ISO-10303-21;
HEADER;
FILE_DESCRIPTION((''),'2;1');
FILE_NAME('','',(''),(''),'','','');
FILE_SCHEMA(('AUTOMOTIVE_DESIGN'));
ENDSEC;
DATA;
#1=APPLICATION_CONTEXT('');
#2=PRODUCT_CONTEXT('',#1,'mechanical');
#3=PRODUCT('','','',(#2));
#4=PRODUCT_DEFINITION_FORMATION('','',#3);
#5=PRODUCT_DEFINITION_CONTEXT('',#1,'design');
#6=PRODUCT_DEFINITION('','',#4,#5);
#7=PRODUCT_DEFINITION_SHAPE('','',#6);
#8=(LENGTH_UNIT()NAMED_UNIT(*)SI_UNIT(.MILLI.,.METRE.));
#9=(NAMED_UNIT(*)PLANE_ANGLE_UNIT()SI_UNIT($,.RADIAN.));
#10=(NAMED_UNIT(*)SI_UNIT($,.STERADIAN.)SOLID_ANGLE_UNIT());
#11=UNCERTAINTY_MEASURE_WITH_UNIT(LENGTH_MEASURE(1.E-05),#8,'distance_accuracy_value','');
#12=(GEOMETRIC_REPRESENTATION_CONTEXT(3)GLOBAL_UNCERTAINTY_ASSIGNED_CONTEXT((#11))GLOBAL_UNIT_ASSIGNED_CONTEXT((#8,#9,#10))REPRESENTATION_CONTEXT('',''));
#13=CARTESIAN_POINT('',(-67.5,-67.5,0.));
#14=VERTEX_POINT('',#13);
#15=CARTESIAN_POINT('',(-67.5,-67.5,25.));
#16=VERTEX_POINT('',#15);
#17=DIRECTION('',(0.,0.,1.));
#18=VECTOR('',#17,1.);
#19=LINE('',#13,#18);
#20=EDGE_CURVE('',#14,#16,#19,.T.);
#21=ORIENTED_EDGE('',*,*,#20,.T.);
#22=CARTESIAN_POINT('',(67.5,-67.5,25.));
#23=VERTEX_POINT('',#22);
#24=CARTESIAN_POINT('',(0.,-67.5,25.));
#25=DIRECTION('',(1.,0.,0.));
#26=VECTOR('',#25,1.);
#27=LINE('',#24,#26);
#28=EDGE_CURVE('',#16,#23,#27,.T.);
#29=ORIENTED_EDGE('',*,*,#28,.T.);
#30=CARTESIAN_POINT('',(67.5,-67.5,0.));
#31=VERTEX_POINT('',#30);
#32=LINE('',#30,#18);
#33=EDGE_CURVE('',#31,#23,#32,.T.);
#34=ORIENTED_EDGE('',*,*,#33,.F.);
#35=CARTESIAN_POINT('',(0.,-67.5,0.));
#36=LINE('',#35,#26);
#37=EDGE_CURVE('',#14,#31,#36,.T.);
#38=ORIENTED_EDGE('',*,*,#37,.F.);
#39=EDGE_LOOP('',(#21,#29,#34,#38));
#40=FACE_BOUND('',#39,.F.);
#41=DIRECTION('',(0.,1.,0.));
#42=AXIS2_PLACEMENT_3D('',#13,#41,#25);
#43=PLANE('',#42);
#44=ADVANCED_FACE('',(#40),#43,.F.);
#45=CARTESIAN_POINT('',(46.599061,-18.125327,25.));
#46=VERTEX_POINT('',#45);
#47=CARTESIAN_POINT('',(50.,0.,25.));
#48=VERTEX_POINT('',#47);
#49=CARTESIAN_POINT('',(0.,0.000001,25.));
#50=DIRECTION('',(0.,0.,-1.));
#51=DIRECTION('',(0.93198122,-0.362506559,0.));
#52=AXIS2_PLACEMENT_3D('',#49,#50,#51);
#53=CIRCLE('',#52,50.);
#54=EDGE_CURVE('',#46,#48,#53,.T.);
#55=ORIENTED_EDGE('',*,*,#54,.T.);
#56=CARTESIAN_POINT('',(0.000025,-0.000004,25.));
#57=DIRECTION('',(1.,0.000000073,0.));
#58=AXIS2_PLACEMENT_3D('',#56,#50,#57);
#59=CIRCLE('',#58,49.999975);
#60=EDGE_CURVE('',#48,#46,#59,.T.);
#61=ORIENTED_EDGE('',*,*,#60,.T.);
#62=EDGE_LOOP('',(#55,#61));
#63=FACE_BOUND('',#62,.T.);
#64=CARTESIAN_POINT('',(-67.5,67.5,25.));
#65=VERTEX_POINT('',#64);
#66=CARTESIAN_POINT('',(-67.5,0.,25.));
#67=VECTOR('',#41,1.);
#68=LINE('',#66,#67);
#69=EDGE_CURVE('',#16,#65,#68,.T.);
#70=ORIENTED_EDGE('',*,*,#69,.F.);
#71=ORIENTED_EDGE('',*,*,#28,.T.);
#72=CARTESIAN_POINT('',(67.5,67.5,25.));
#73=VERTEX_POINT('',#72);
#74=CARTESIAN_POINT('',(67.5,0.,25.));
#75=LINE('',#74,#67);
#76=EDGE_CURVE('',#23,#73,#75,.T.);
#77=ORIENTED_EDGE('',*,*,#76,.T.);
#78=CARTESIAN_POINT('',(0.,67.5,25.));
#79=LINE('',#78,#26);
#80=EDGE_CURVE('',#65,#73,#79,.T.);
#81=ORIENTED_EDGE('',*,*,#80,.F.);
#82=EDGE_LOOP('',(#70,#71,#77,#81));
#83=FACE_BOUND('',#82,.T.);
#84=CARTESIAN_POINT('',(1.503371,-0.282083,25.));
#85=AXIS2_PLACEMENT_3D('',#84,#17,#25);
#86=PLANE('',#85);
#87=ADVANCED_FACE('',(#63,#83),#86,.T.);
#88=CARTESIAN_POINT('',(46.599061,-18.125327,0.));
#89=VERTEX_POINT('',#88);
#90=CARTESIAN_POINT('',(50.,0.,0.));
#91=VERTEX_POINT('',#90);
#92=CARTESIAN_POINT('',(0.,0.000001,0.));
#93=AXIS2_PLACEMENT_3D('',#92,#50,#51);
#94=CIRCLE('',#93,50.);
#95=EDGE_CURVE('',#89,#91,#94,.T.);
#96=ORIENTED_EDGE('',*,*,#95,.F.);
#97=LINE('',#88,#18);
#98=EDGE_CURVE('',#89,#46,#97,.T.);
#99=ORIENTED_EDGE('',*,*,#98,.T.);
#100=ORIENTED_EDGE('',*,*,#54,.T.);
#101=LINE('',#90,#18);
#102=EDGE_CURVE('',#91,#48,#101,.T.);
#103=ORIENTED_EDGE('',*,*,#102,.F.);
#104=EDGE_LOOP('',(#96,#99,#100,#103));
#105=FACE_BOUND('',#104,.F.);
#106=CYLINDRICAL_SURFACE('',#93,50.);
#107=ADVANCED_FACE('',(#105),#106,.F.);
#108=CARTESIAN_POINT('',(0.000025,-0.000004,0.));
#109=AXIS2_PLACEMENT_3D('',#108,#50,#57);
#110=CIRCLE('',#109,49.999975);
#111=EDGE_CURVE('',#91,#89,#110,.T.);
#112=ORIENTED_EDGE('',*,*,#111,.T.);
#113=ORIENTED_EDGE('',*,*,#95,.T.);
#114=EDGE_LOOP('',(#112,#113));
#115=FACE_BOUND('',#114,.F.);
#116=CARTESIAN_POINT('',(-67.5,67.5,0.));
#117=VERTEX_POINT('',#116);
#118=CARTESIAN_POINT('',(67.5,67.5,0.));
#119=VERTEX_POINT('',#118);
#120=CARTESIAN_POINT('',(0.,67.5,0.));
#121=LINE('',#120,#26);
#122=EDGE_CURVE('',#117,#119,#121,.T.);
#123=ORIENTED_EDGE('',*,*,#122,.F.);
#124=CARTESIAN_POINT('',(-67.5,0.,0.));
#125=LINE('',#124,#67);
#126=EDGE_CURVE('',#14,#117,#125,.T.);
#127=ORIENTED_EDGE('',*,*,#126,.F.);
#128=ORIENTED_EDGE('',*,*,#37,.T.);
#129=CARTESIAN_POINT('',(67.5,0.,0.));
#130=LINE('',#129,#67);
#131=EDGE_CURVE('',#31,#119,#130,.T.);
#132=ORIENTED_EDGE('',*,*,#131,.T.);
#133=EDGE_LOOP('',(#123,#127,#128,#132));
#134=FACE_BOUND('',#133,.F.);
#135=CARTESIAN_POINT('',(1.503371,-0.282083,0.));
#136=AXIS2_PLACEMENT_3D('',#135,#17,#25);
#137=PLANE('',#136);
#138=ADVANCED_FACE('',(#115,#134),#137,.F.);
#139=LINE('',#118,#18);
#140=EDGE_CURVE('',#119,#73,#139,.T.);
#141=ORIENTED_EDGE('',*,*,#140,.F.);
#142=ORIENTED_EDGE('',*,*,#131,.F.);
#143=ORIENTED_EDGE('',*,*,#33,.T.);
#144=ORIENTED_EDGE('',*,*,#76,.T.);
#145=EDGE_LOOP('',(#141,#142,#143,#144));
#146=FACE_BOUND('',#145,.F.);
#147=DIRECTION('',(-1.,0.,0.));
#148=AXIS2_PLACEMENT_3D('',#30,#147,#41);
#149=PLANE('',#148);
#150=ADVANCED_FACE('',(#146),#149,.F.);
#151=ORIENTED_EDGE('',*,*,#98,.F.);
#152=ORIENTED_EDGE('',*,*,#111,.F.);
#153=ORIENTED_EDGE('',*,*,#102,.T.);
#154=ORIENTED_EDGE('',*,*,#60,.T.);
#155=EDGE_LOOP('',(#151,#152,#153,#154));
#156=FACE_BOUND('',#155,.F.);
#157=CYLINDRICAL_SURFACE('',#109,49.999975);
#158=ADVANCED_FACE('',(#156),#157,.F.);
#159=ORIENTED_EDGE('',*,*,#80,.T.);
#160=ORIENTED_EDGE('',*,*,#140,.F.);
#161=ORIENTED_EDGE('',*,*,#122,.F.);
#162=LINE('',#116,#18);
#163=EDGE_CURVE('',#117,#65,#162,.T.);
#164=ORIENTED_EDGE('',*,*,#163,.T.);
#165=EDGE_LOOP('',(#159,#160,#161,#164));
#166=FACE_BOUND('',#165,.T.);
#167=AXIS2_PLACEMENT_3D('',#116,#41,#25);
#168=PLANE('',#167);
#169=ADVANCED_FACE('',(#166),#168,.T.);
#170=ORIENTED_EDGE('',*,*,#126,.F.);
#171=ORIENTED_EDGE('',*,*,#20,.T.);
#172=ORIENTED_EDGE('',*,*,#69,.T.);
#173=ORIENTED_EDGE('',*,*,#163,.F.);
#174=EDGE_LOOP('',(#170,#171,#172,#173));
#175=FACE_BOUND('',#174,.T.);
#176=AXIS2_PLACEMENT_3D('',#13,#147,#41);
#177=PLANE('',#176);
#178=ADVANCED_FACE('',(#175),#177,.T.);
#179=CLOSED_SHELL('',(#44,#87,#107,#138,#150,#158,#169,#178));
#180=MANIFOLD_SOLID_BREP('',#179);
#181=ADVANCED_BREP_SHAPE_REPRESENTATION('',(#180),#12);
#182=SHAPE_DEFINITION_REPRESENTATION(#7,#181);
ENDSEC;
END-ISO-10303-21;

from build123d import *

# Parameters (mm, degrees)
F0_W     = 135
F0_H     = 135
F1_DEPTH = 25


with BuildPart() as f1:
    # F0 (on Top) → F1 (new body)
    with BuildSketch(Plane.XY):
        with BuildLine():
            ThreePointArc((46.599061, -18.125327), (49.142411, -9.220817), (50, 0))
            ThreePointArc((50, 0), (-49.142411, 9.220817), (46.599061, -18.125327))
        make_face()
        Rectangle(F0_W, F0_H)
        with BuildLine():
            ThreePointArc((46.599061, -18.125327), (-49.142411, 9.220817), (50, 0))
            ThreePointArc((50, 0), (49.142411, -9.220817), (46.599061, -18.125327))
        make_face(mode=Mode.SUBTRACT)
    extrude(amount=F1_DEPTH)


solid = f1.part
